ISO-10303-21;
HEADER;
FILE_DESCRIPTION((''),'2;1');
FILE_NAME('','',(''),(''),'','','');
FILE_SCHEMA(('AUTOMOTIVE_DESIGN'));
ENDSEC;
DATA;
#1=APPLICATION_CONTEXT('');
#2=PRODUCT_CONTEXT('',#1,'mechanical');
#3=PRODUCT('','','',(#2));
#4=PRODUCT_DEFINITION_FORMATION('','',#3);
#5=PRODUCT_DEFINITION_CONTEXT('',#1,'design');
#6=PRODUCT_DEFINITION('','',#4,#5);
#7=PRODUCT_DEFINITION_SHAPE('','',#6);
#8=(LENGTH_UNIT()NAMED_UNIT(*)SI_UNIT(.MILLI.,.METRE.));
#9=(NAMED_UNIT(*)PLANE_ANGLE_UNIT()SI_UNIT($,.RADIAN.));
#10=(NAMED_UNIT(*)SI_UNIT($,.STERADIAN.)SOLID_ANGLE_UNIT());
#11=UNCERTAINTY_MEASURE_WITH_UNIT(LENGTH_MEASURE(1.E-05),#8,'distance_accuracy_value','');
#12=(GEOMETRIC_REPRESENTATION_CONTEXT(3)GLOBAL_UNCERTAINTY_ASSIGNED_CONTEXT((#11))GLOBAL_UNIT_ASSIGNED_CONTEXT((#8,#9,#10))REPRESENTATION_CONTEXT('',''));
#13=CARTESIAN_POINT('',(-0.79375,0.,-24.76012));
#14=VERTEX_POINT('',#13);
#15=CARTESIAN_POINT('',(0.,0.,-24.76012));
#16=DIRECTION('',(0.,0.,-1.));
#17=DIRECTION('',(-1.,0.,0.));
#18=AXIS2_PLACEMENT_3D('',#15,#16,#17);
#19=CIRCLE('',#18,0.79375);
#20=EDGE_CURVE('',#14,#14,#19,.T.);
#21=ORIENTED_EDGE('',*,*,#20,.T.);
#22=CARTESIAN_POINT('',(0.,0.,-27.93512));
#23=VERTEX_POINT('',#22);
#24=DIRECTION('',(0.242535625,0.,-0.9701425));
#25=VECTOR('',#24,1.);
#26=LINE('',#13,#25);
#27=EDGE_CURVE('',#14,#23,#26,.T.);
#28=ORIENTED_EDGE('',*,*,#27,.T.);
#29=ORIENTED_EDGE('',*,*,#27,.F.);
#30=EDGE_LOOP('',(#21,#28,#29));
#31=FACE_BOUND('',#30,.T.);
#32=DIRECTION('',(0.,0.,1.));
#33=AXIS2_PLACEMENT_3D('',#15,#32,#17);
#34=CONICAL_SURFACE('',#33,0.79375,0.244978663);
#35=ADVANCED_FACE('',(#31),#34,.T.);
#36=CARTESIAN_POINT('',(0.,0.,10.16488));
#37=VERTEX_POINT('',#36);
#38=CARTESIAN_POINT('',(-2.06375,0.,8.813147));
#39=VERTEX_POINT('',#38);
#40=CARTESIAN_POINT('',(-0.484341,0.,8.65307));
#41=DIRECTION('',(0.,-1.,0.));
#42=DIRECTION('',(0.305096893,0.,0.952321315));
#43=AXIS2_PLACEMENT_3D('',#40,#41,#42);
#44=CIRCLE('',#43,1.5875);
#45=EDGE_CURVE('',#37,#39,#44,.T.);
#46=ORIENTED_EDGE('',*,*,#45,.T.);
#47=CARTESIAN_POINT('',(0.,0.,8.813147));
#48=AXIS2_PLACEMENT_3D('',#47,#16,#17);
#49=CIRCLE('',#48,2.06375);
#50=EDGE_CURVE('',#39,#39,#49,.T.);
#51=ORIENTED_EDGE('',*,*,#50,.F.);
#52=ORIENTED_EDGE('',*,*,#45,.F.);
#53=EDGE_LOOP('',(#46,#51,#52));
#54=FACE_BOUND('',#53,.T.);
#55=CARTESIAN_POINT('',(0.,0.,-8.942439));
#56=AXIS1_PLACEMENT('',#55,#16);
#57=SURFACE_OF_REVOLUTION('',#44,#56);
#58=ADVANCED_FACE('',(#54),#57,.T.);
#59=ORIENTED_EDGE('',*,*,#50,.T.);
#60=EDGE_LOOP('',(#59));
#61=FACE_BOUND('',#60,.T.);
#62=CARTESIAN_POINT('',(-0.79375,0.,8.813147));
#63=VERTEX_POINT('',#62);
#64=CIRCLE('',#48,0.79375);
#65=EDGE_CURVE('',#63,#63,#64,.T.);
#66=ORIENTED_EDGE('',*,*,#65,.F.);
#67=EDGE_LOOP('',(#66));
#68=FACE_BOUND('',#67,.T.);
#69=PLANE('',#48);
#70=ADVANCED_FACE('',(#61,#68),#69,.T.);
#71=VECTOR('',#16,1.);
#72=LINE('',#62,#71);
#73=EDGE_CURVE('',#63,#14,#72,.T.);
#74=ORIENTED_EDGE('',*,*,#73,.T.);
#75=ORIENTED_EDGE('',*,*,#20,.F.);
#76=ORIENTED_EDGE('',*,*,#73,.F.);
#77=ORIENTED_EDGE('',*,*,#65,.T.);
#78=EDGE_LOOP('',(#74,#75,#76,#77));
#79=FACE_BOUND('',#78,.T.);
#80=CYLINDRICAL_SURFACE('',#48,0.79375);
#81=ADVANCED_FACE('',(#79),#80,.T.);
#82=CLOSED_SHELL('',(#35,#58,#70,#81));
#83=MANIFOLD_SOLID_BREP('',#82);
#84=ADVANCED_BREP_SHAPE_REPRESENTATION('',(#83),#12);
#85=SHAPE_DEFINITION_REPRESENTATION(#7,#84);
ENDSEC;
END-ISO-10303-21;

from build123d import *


with BuildPart() as f1:
    # F0 (on Front) → F1 (revolve)
    with BuildSketch(Plane.XZ):
        Polygon((-0.79375, -24.76012), (0, -27.93512), (0, -24.76012), align=None)
        with BuildLine():
            Line((-0.79375, 8.813147), (-0.79375, -24.76012))
            Line((-0.79375, -24.76012), (0, -24.76012))
            Line((0, -24.76012), (0, 10.16488))
            ThreePointArc((0, 10.16488), (-1.354162, 9.981064), (-2.06375, 8.813147))
            Line((-2.06375, 8.813147), (-0.79375, 8.813147))
        make_face()
    revolve(axis=Axis((0, 0, -8.942439), (0, 0, -1)))


solid = f1.part
